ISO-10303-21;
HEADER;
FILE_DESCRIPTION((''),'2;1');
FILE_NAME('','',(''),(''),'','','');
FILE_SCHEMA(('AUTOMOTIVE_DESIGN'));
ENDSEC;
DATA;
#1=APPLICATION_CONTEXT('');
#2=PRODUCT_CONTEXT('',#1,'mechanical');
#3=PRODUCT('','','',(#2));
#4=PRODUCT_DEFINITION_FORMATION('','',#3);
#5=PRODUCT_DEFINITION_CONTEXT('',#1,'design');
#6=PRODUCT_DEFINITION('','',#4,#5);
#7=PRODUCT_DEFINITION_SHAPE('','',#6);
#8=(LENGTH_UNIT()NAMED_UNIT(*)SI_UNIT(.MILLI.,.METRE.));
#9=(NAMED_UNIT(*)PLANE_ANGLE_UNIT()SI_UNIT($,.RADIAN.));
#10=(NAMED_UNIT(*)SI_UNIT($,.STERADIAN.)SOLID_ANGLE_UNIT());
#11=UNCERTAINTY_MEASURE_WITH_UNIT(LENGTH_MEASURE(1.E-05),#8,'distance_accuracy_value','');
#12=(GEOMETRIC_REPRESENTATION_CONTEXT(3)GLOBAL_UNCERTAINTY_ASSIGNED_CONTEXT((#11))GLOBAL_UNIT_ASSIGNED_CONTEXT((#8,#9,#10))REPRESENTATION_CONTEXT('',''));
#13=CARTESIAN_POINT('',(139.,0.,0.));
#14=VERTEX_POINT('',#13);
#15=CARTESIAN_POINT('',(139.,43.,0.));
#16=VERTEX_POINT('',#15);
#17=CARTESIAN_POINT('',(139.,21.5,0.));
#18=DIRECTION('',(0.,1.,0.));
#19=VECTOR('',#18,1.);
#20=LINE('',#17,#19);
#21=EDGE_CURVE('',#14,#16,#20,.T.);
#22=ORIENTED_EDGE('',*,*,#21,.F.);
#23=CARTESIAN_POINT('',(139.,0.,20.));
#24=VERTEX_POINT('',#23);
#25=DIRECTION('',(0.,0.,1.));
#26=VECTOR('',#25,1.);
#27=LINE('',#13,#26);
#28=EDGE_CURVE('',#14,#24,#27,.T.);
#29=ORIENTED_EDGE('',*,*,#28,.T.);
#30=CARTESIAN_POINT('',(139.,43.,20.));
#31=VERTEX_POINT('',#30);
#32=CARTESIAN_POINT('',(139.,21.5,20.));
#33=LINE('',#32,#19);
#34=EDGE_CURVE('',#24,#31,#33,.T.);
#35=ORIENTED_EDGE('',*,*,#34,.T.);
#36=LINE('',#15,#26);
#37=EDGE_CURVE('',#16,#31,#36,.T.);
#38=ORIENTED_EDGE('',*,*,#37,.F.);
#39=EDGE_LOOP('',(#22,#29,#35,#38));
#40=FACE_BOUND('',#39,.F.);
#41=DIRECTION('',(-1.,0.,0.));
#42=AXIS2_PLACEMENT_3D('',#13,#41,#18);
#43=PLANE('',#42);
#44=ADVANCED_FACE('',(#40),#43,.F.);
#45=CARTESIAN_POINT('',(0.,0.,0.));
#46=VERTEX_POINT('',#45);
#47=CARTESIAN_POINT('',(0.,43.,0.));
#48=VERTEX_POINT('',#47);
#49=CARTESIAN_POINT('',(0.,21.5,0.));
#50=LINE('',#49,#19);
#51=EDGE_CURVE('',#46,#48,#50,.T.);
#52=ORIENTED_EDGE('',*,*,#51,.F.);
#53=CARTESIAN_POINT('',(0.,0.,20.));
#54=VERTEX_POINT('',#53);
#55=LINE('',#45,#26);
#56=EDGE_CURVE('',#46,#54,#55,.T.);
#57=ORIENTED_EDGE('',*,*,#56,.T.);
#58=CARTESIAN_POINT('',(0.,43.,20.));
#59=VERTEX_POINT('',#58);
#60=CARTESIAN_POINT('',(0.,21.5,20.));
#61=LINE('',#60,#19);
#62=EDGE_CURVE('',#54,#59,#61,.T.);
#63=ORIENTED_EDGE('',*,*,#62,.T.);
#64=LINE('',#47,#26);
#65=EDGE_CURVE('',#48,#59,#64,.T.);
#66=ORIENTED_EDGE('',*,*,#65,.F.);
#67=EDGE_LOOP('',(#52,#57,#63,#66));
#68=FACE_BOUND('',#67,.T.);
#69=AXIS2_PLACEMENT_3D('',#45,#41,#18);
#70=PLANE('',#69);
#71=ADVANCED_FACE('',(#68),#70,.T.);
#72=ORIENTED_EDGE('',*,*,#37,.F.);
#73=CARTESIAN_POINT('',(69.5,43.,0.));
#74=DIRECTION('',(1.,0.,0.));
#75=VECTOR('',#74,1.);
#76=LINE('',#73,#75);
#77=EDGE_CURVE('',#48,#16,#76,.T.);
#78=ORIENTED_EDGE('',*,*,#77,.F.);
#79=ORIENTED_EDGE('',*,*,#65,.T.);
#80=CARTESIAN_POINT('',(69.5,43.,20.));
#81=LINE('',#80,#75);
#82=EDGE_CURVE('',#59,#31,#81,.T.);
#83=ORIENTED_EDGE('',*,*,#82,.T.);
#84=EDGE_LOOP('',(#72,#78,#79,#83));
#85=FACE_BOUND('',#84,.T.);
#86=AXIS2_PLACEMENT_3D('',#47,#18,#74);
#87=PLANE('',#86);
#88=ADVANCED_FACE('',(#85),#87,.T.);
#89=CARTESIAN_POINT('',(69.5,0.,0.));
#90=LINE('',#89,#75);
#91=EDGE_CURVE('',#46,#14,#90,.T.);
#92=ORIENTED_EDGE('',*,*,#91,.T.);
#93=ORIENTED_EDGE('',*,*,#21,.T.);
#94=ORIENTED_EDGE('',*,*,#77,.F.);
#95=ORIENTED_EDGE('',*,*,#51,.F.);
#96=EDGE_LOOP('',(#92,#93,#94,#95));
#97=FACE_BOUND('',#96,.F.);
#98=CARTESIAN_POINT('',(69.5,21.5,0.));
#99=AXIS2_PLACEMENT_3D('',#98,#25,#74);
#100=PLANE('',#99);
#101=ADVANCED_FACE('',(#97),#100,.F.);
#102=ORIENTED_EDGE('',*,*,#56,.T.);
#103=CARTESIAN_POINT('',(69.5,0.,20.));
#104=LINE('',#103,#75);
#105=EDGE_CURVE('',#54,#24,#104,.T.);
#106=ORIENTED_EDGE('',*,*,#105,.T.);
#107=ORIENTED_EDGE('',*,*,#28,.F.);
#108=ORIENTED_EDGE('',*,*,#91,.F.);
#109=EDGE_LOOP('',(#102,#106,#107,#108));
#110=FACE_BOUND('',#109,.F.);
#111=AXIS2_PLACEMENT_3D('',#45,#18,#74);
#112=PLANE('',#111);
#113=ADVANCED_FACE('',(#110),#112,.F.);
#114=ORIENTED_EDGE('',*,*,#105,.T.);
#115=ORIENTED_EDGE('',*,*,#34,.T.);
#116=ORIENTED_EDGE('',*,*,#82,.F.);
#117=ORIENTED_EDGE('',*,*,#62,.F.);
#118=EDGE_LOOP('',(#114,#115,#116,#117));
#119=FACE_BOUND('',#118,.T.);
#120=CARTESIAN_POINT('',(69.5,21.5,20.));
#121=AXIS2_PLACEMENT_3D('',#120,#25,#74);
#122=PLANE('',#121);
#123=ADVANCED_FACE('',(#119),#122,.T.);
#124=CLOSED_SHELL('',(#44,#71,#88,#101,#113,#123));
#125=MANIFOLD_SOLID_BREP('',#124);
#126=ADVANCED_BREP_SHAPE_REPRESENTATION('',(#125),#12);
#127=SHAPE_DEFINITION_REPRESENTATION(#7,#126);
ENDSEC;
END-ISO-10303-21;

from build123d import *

# Parameters (mm, degrees)
BOX_W     = 139
BOX_H     = 43
BOX_DEPTH = 20


with BuildPart() as part:
    # Box → Box (new body)
    with BuildSketch(Plane.XY):
        with Locations((69.5, 21.5)):
            Rectangle(BOX_W, BOX_H)
    extrude(amount=BOX_DEPTH)


solid = part.part
